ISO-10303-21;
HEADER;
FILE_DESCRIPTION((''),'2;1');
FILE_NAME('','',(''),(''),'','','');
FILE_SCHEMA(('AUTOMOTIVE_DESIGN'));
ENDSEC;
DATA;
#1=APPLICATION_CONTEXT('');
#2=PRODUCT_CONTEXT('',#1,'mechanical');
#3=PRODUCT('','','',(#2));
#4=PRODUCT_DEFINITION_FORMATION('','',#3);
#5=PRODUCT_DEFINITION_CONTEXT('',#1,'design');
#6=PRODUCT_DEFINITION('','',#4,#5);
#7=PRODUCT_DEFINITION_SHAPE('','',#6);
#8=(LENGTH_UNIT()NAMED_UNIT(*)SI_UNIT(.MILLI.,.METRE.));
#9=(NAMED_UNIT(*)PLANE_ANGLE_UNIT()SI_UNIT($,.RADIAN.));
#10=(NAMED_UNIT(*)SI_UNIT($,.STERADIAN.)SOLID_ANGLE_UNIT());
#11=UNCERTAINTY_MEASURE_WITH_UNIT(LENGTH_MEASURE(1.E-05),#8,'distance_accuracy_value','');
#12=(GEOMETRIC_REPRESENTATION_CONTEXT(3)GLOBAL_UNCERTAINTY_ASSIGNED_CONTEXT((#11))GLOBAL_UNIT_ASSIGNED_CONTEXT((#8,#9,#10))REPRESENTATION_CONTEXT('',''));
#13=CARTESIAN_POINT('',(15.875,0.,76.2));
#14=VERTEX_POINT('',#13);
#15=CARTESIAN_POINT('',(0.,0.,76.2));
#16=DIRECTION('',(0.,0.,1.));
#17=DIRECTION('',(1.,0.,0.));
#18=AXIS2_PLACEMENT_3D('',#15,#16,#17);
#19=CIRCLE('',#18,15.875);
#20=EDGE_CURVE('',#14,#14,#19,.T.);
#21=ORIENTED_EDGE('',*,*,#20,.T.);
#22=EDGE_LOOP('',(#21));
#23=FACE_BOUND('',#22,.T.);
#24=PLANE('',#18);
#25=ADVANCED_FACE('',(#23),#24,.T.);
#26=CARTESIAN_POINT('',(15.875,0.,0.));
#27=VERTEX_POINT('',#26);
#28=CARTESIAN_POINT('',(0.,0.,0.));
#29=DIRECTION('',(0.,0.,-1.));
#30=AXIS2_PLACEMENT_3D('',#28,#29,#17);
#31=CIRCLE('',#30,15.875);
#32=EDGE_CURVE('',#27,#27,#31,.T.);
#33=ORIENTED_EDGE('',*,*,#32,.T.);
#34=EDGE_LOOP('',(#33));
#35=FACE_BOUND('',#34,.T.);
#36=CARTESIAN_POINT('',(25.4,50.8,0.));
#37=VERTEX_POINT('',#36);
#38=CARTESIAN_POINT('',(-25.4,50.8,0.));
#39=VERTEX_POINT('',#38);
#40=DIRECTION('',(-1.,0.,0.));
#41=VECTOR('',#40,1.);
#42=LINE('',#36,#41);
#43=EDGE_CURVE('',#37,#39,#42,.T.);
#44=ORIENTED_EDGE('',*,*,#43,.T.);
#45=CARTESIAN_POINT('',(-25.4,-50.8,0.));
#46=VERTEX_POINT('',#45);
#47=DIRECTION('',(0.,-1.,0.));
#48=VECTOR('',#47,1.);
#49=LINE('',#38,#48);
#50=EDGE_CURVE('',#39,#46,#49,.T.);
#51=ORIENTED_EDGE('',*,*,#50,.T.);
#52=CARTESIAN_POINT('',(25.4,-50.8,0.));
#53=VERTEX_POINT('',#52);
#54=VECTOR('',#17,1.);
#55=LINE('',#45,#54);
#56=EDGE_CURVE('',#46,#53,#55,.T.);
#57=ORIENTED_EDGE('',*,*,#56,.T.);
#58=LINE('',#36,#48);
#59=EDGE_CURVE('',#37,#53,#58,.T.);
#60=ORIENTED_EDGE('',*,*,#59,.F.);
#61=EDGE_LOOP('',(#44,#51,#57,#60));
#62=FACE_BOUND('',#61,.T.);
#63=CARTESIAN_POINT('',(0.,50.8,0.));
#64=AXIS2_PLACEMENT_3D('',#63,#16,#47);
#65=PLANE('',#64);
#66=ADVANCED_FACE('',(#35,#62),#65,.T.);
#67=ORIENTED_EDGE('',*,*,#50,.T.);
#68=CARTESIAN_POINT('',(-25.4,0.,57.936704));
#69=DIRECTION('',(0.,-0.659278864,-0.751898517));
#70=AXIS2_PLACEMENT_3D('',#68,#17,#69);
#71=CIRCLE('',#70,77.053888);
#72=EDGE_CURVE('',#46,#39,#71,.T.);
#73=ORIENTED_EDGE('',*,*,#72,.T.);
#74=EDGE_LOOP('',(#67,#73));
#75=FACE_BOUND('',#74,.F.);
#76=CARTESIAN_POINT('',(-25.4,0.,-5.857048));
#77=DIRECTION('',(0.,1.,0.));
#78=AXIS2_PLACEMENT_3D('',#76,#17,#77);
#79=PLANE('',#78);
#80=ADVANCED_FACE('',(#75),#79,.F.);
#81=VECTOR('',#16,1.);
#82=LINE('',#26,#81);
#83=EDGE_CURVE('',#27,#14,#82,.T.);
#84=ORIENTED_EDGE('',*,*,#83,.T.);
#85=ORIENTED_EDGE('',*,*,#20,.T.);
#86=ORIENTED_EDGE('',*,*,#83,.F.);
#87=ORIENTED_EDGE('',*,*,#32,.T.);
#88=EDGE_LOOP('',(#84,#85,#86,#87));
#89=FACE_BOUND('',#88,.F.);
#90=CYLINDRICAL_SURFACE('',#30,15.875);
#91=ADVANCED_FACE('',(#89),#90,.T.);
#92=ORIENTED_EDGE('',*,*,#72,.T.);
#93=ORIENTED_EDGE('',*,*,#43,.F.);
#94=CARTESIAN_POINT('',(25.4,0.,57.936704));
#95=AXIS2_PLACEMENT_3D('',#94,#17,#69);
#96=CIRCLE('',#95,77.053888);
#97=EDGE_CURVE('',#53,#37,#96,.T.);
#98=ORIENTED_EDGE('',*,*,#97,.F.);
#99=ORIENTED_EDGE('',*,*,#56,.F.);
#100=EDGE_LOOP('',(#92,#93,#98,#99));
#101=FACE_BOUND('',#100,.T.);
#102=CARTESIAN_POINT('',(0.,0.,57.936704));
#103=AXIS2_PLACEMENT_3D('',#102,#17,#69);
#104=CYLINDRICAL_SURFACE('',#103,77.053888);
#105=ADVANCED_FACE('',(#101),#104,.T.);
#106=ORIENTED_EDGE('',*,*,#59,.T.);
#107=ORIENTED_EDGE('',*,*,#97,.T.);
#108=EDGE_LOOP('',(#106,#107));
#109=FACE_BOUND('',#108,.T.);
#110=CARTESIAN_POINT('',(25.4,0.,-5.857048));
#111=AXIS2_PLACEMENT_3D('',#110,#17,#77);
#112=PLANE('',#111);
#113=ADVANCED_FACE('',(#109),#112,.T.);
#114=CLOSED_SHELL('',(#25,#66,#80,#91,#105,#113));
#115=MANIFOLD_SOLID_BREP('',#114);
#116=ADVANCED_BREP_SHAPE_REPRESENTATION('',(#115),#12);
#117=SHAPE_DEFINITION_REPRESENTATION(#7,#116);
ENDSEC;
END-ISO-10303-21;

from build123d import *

# Parameters (mm, degrees)
F0_R     = 15.875
F1_DEPTH = 76.2
F3_DEPTH = 25.4
F4_DEPTH = 25.4


with BuildPart() as f1:
    # F0 (on Top) → F1 (new body)
    with BuildSketch(Plane.XY):
        Circle(F0_R)
    extrude(amount=F1_DEPTH)

    # F2 (on Right) → F3 (join)
    with BuildSketch(Plane.YZ):
        with BuildLine():
            Line((50.8, 0), (0, 0))
            Line((0, 0), (-50.8, 0))
            ThreePointArc((-50.8, 0), (0, -19.117184), (50.8, 0))
        make_face()
    extrude(amount=F3_DEPTH)

    # F2 (on Right) → F4 (join)
    with BuildSketch(Plane.YZ):
        with BuildLine():
            Line((50.8, 0), (0, 0))
            Line((0, 0), (-50.8, 0))
            ThreePointArc((-50.8, 0), (0, -19.117184), (50.8, 0))
        make_face()
    extrude(amount=-F4_DEPTH)


solid = f1.part
